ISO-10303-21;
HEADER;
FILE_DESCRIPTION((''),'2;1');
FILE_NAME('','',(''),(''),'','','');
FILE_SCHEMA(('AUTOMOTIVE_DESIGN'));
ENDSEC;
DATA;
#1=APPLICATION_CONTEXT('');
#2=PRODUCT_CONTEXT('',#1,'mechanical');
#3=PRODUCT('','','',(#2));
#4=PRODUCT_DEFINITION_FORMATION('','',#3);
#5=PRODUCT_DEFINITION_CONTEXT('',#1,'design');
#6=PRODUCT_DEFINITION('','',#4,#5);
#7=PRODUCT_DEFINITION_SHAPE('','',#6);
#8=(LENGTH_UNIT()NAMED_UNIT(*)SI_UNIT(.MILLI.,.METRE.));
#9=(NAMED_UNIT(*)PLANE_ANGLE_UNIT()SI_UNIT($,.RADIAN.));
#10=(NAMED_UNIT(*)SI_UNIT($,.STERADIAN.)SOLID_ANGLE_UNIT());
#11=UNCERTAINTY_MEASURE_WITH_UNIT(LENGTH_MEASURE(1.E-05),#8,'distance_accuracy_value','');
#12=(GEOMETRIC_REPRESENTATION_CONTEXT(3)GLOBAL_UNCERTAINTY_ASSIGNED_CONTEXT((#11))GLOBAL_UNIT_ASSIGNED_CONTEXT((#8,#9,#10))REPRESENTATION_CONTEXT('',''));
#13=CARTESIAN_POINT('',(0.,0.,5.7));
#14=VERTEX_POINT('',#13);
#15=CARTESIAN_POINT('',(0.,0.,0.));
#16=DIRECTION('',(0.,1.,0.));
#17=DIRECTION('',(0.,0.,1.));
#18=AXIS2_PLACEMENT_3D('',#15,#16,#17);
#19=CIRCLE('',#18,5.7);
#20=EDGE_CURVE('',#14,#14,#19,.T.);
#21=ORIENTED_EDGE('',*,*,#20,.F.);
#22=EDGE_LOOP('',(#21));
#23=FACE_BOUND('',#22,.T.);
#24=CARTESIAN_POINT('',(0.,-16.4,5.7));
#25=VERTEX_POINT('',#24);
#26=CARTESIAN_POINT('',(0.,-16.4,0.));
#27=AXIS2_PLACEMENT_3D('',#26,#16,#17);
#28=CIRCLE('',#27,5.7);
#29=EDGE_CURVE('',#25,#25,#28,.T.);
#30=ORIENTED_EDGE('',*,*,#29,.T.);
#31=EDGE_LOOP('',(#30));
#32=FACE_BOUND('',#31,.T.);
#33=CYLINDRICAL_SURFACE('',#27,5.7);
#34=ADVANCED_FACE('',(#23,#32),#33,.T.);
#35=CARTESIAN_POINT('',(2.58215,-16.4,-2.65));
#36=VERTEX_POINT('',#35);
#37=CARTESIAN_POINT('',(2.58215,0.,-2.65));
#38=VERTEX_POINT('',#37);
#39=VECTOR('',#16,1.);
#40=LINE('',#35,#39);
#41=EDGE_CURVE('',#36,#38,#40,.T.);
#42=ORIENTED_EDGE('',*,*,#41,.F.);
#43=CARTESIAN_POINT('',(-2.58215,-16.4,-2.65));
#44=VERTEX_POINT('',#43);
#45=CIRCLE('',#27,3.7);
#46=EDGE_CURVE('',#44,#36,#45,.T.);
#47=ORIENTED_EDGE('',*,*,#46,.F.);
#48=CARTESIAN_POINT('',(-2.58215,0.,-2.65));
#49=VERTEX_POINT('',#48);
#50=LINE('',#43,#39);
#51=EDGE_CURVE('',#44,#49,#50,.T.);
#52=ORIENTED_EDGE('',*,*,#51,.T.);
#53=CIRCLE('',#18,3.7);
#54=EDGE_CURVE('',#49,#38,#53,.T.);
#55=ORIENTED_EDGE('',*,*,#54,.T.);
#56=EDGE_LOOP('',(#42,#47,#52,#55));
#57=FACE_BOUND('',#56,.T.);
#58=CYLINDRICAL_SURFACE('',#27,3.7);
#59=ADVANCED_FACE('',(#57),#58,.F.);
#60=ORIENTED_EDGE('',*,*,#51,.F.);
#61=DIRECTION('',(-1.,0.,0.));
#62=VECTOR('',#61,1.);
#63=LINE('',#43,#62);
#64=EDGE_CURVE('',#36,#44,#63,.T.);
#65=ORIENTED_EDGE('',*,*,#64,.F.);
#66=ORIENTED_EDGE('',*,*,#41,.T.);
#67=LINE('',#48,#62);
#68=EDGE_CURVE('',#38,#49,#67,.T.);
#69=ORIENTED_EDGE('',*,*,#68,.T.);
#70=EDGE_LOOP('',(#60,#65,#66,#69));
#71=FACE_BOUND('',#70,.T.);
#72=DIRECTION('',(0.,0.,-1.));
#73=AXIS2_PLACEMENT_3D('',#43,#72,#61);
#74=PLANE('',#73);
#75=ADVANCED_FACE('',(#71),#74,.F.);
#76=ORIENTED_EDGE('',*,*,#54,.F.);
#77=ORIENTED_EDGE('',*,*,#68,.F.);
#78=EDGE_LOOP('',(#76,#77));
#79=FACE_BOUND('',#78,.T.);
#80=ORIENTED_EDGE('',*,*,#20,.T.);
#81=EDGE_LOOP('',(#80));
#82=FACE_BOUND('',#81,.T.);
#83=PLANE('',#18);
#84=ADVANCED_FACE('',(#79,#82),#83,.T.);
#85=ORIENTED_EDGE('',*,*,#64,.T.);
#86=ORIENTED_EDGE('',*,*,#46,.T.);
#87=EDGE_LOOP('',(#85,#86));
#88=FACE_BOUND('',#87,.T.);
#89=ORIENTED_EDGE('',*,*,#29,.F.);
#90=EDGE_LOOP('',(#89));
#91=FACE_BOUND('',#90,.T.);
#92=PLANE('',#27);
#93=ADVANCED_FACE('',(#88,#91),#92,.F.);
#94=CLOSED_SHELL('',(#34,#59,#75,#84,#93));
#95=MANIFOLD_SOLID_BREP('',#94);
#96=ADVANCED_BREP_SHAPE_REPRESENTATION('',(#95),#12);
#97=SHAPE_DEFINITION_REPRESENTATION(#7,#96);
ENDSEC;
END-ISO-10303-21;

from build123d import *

# Parameters (mm, degrees)
SKETCH1_R           = 5.7
BOSS_EXTRUDE1_DEPTH = 16.4
CUT_EXTRUDE1_DEPTH  = 19.274025282


with BuildPart() as part:
    # Sketch1 → Boss-Extrude1 (new body)
    with BuildSketch(Plane(origin=(0, 0, 0), x_dir=(1, 0, 0), z_dir=(0, 1, 0))):
        with Locations(Location((0, 0, 0), (0, 0, 270))):
            Circle(SKETCH1_R)
    extrude(amount=-BOSS_EXTRUDE1_DEPTH)

    # Sketch3 → Cut-Extrude1 (cut, through all)
    with BuildSketch(Plane(origin=(0, 0, 0), x_dir=(1, 0, 0), z_dir=(0, 1, 0))):
        with BuildLine():
            Line((-2.582150267, 2.65), (2.582150267, 2.65))
            ThreePointArc((2.582150267, 2.65), (0, -3.7), (-2.582150267, 2.65))
        make_face()
    extrude(amount=-CUT_EXTRUDE1_DEPTH, mode=Mode.SUBTRACT)


solid = part.part
